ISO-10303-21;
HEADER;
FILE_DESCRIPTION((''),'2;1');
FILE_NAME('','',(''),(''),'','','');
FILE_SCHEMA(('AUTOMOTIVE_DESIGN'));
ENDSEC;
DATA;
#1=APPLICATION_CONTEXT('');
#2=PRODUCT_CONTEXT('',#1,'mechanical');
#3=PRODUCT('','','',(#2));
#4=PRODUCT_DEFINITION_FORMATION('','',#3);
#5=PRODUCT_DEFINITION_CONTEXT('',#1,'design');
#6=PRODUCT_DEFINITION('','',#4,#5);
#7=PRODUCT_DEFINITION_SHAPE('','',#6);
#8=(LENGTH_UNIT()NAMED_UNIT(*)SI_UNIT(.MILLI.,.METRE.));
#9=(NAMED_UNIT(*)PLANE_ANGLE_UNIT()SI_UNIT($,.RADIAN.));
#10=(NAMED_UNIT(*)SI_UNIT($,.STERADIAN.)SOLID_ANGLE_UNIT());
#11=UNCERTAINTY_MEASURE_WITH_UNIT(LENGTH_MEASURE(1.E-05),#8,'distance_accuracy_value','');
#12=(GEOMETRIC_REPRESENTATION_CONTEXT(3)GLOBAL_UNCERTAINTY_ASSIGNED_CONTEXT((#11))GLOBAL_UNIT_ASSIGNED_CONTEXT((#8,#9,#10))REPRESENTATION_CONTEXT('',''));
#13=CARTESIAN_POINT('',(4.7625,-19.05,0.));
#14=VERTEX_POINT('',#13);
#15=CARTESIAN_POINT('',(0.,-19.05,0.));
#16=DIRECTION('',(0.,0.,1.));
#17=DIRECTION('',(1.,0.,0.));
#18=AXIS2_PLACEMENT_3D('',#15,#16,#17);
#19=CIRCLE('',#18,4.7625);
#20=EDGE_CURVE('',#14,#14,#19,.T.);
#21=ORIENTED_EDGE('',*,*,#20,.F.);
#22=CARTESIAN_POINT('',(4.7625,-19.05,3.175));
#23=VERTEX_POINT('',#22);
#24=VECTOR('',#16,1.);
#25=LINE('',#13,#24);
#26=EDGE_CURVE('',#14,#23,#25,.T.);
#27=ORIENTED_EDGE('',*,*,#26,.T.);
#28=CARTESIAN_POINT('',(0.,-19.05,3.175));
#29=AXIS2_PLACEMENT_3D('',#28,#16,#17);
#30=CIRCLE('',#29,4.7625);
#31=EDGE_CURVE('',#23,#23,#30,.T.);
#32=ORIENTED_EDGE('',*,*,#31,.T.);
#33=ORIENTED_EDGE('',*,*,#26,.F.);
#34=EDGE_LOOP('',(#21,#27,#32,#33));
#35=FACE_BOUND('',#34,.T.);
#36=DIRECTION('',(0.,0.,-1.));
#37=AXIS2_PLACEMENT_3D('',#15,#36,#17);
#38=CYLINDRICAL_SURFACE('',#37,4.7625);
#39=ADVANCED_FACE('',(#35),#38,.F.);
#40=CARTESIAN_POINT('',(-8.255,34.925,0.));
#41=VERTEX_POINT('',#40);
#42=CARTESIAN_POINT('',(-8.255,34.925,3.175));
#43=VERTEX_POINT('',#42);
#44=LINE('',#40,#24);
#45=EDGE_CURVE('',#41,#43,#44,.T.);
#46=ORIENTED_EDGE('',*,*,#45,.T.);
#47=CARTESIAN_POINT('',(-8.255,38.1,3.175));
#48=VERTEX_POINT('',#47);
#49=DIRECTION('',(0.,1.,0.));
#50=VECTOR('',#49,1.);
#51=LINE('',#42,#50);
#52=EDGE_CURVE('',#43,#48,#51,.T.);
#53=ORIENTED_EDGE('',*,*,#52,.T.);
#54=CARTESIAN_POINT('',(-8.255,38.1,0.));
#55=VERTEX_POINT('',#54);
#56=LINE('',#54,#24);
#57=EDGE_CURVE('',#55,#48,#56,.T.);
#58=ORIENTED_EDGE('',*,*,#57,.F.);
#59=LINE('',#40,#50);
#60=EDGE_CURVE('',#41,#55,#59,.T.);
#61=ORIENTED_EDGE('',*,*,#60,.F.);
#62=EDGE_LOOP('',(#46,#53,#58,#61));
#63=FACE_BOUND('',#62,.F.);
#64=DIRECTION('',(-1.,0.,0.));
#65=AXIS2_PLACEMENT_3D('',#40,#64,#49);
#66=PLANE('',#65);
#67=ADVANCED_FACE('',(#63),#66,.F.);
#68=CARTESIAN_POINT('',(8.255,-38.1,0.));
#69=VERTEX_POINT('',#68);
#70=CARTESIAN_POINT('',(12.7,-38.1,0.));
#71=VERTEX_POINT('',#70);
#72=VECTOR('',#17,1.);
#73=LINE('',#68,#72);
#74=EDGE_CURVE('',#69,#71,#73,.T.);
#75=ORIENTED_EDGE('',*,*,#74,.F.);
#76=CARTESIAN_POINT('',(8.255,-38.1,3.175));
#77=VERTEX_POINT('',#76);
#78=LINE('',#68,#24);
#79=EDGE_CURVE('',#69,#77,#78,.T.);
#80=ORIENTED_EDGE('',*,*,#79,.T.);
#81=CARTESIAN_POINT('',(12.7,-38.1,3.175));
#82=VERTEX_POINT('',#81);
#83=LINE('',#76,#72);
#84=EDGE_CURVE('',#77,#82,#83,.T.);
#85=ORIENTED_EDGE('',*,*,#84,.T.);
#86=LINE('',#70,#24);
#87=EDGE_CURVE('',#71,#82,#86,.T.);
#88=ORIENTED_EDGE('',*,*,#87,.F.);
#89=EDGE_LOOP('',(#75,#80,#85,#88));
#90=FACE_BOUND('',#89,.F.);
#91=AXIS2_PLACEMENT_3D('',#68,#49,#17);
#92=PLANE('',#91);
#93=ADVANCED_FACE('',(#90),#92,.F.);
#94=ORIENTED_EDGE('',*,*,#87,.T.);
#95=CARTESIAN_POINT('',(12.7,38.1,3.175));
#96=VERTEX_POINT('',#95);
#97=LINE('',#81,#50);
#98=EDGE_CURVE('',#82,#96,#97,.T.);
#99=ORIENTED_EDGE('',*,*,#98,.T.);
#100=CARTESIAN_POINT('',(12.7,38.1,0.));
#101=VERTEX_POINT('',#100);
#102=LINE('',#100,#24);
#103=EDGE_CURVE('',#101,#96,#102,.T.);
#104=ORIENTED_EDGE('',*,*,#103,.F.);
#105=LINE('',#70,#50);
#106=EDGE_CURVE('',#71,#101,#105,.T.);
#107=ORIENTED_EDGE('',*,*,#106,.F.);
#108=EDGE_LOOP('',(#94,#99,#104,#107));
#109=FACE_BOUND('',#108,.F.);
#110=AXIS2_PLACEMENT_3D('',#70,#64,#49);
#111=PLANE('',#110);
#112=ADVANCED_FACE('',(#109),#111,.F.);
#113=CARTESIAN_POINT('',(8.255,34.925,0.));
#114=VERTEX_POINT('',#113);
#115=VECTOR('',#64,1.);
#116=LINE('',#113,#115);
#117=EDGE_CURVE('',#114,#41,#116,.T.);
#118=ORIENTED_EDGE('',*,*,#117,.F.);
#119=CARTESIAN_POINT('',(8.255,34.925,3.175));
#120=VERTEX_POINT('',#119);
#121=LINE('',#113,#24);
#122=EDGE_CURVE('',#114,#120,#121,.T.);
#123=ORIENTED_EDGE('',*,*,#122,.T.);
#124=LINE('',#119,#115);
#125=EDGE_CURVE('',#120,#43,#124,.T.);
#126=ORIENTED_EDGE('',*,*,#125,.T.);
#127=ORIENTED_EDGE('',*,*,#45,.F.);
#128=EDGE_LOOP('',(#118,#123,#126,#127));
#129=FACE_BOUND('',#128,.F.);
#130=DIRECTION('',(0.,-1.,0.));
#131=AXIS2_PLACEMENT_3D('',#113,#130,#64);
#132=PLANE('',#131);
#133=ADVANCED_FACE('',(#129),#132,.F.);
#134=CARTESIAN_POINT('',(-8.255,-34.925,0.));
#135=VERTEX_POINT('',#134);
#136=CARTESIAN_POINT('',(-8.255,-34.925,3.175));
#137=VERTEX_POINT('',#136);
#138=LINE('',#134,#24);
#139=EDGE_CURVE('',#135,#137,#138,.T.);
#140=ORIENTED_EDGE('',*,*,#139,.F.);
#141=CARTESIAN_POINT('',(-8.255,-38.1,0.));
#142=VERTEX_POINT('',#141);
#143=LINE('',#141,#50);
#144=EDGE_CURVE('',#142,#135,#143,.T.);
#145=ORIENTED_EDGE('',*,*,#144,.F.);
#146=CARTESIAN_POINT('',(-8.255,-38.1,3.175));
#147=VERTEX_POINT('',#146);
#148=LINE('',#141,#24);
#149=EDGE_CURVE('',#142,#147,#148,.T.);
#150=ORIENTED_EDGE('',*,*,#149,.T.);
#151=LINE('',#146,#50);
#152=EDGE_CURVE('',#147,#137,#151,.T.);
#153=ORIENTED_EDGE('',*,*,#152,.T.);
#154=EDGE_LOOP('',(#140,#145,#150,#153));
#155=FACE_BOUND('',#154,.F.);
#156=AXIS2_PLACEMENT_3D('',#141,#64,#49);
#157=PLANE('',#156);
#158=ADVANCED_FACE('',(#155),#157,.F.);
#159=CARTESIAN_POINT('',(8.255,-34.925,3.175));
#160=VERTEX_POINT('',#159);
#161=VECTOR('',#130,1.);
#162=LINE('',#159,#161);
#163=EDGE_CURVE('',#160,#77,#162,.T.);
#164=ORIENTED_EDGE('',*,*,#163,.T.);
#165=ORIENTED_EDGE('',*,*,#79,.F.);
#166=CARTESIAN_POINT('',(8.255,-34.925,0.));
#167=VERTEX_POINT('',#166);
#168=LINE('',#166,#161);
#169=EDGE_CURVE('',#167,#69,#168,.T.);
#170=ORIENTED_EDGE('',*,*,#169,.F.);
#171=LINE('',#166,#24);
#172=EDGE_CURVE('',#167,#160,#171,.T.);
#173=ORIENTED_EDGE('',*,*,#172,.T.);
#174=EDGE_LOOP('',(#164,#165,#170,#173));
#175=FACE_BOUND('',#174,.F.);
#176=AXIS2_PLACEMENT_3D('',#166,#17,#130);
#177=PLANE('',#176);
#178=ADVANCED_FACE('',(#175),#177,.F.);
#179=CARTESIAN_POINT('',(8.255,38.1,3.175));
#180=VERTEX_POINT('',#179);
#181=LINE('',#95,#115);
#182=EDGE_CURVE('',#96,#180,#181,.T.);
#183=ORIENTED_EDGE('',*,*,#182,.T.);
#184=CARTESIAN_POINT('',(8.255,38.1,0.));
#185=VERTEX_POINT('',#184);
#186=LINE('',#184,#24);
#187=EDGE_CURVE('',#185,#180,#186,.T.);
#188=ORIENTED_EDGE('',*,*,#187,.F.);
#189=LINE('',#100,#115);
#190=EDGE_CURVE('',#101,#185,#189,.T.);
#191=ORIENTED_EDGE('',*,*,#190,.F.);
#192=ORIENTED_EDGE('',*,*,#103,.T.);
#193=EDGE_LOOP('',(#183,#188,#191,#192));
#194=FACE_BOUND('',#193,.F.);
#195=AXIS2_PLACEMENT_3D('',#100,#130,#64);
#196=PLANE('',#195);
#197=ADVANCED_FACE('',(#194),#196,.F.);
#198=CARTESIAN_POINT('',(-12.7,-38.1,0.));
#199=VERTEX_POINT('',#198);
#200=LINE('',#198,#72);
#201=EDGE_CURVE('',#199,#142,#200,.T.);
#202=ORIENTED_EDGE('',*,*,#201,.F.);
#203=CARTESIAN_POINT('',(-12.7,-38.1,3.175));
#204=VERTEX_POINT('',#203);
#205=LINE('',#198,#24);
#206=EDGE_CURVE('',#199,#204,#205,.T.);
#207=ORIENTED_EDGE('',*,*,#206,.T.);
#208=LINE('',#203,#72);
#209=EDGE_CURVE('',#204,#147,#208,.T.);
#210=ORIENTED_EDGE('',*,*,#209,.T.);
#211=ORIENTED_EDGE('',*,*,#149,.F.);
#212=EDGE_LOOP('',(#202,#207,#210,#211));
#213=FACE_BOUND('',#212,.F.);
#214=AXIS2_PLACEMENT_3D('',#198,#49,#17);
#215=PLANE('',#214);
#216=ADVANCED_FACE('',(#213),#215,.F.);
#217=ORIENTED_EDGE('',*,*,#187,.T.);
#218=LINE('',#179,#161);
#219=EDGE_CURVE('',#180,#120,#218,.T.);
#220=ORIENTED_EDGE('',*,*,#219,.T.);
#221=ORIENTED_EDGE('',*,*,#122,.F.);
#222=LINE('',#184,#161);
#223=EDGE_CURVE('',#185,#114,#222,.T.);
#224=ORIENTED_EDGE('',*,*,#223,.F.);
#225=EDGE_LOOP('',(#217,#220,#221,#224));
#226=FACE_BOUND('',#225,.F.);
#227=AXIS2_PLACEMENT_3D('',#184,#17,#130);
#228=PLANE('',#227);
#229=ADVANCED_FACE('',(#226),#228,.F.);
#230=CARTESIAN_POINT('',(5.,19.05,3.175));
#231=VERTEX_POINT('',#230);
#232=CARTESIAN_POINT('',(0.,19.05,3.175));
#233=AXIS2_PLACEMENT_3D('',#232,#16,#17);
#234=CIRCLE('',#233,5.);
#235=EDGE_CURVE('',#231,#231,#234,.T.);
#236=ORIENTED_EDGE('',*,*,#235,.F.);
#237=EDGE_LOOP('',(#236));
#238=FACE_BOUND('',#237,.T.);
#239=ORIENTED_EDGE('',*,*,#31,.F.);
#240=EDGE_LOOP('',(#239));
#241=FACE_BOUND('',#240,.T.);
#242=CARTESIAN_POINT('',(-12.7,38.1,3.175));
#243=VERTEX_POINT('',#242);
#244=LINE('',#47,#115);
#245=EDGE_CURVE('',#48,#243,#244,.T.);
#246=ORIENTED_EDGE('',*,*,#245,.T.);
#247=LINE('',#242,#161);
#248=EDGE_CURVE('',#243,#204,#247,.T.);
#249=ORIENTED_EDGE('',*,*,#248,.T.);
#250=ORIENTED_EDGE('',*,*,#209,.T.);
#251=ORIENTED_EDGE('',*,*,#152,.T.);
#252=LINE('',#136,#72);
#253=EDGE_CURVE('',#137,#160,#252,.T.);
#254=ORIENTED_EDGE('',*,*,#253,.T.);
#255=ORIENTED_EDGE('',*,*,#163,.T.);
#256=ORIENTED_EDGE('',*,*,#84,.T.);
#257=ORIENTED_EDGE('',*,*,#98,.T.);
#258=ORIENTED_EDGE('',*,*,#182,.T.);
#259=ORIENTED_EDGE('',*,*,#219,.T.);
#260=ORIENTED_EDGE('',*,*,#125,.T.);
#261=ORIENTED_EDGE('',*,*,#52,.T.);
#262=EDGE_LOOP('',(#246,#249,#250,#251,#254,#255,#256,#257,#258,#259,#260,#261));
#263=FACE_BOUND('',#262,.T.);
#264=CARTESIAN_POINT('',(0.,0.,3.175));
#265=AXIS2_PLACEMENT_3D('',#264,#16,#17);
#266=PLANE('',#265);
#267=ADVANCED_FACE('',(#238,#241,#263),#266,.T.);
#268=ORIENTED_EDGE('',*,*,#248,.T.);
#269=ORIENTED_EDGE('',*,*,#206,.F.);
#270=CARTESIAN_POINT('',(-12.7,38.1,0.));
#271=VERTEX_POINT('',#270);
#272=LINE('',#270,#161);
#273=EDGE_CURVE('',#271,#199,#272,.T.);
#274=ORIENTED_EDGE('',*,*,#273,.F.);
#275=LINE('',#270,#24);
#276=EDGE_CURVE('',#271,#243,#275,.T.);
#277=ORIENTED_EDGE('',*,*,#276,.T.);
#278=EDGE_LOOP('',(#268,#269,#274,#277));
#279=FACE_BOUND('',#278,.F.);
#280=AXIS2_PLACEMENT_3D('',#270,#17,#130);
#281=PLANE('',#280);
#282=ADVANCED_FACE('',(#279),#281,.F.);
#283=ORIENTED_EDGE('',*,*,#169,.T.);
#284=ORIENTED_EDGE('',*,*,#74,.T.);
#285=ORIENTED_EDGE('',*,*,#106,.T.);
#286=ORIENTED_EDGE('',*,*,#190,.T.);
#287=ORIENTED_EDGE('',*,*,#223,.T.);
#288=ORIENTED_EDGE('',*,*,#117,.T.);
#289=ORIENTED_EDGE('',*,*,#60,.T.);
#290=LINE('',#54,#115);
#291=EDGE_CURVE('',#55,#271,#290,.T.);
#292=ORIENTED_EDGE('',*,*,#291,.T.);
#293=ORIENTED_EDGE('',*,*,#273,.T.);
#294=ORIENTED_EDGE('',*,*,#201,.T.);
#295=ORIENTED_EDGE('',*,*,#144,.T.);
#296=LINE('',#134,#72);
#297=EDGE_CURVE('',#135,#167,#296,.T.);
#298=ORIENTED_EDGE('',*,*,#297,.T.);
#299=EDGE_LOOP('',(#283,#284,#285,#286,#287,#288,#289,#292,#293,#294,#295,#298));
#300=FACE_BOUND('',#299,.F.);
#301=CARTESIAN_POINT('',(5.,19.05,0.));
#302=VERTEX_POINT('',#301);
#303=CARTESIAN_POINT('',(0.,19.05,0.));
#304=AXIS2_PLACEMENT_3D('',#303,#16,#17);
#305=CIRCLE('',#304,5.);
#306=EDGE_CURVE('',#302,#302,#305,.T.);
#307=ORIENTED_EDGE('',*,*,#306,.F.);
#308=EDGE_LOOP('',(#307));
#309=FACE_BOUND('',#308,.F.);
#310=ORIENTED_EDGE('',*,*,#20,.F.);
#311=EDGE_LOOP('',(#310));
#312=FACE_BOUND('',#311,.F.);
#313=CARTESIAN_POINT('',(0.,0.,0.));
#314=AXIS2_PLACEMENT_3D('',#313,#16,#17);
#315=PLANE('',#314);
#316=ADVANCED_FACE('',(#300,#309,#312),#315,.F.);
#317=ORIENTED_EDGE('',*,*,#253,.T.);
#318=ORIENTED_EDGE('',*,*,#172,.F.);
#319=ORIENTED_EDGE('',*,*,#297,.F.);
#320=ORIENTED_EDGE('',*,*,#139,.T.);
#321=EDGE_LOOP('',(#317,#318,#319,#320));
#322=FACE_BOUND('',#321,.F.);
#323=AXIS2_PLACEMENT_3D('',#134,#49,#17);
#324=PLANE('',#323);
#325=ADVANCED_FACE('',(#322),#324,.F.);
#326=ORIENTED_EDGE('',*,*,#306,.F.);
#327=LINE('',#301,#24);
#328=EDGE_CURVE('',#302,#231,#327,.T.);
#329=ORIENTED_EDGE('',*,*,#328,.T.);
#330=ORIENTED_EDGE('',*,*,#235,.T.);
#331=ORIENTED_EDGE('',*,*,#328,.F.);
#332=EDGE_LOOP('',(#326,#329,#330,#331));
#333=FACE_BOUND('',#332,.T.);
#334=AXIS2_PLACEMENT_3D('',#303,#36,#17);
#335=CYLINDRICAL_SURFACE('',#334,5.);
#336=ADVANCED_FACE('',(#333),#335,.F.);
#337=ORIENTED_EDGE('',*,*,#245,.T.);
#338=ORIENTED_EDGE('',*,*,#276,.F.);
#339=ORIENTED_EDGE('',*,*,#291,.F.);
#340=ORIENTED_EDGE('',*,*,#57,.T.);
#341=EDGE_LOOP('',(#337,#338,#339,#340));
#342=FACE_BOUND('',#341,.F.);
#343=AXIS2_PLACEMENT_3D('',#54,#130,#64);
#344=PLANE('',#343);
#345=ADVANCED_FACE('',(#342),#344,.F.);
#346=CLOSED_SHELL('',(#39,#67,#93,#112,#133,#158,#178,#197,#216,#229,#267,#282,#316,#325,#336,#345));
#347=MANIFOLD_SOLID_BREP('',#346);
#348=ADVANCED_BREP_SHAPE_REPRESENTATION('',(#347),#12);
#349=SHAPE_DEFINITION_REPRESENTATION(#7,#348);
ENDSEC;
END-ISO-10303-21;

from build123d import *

# Parameters (mm, degrees)
F0_R     = 4.7625
F0_R_2   = 5
F1_DEPTH = 3.175


with BuildPart() as f1:
    # F0 (on Top) → F1 (new body)
    with BuildSketch(Plane.XY):
        Polygon((12.7, -38.1), (12.7, 38.1), (8.255, 38.1), (8.255, 34.925), (-8.255, 34.925), (-8.255, 38.1), (-12.7, 38.1), (-12.7, -38.1), (-8.255, -38.1), (-8.255, -34.925), (8.255, -34.925), (8.255, -38.1), align=None)
        with Locations((0, -19.05)):
            Circle(F0_R, mode=Mode.SUBTRACT)
        with Locations((0, 19.05)):
            Circle(F0_R_2, mode=Mode.SUBTRACT)
    extrude(amount=F1_DEPTH)


solid = f1.part
